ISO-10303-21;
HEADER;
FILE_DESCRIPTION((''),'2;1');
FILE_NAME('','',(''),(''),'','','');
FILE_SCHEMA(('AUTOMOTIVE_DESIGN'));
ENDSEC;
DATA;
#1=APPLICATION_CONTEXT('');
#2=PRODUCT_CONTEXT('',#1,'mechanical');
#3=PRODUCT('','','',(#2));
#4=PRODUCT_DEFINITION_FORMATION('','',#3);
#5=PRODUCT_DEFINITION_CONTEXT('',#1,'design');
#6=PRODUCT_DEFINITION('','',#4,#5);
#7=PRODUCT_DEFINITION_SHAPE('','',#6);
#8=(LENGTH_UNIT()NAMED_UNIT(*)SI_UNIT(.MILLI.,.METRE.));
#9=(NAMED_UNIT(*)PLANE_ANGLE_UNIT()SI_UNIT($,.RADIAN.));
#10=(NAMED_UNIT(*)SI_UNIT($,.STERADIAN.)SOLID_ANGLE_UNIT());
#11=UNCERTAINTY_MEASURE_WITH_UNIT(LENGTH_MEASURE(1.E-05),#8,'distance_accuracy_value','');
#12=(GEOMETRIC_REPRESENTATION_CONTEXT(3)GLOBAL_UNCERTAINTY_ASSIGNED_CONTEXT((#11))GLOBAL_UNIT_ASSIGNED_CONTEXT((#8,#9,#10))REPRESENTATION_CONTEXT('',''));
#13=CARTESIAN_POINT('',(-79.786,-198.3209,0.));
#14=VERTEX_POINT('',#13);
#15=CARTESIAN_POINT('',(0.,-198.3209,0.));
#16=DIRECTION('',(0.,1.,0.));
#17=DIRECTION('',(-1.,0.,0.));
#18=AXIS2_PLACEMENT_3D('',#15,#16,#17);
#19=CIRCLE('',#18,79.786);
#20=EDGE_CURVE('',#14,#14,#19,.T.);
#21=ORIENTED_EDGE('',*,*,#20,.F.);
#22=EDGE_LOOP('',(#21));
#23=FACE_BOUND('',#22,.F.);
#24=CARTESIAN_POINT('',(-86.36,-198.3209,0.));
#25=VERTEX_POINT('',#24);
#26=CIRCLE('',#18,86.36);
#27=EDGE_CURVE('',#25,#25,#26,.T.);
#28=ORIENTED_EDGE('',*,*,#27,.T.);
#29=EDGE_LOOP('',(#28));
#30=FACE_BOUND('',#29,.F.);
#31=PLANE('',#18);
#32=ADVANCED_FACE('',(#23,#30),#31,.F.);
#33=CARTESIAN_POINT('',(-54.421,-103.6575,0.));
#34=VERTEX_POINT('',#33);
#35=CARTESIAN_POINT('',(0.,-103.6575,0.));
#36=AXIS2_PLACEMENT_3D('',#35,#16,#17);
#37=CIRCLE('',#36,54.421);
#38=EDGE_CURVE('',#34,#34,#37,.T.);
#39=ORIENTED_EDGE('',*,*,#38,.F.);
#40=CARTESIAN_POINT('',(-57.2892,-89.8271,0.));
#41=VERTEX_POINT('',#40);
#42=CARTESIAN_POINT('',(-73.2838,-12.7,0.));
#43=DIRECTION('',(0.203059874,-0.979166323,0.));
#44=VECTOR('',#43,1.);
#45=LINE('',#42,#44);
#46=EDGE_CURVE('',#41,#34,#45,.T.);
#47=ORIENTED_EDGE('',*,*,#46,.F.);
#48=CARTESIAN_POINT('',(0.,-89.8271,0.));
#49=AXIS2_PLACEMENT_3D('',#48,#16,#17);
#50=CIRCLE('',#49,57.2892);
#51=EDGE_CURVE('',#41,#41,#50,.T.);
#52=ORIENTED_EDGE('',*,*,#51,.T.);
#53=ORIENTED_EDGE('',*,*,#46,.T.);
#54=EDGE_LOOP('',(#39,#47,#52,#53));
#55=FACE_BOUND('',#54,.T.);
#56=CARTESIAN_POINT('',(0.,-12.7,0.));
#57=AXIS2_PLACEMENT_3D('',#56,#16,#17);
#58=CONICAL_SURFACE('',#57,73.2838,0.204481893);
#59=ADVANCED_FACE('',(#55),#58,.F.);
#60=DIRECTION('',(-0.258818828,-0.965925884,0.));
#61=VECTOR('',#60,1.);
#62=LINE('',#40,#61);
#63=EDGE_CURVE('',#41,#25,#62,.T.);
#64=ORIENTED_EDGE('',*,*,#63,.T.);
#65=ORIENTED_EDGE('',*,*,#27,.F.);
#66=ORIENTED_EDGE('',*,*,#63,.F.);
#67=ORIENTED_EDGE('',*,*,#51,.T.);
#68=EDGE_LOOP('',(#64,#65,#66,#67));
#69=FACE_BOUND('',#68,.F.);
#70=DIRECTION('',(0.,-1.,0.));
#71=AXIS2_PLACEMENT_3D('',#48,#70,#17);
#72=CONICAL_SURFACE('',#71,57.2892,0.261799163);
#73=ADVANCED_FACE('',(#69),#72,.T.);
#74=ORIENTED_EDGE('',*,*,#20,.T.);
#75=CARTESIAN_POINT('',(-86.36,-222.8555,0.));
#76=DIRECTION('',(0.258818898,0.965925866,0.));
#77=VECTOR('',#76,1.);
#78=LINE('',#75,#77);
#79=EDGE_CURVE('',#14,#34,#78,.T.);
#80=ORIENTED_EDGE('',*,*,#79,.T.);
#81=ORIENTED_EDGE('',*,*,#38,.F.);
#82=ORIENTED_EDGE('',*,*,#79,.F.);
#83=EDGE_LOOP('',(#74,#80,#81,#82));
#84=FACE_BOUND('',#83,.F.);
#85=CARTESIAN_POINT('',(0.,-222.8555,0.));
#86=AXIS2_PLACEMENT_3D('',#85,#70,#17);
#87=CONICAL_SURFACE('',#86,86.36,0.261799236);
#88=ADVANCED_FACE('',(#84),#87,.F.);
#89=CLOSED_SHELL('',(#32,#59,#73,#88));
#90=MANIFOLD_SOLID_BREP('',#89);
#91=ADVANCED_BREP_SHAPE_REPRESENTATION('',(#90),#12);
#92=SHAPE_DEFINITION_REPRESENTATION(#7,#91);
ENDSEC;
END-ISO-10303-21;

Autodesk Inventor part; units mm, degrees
ref_plane "YZ Plane" through (0, 0, 0) normal (1, 0, 0) x (0, 1, 0)
ref_plane "XZ Plane" through (0, 0, 0) normal (0, 1, 0) x (-1, 0, 0)
ref_plane "XY Plane" through (0, 0, 0) normal (0, 0, 1) x (1, 0, 0)
sketch "Sketch1" plane through (0, 0, 0) normal (0, 0, 1) x (1, 0, 0)
  line L0 (0, 25.4) -> (-28.702, 25.4) construction
  line L1 (0, 25.4) -> (-95.25, 25.4) construction
  line L2 (-95.25, 25.4) -> (-89.1588, 25.4) construction
  line L3 (-89.1588, 25.4) -> (-85.693, 23.7839) construction
  line L4 (-89.1588, 25.4) -> (-89.1588, 21.1626) construction
  line L5 (-89.1588, 0) -> (-95.25, 0)
  line L6 (-28.702, 59.6457) -> (-28.702, -91.9304) construction
  arc A0 (-28.9184, -8.4804) -> (-32.3684, -1.0818) centre (-35.052, -6.8369) ccw
  line L7 (-89.1588, 25.4) -> (-89.1588, 0)
  line L8 (-89.1588, 25.4) -> (-32.3684, -1.0818)
  line L9 (-28.9184, -8.4804) -> (-28.9392, -8.5583)
  line L10 (0, -319.0244) -> (0, 122.7573) projected
  line L11 (-73.152, 17.9359) -> (-28.702, 17.9359) construction
  line L12 (-89.1588, 0) -> (-92.3338, 0)
  line L13 (11.4547, -6.8369) -> (-136.2084, -6.8369) construction
  line L14 (-57.2892, -89.8271) -> (-86.36, -198.3209)
  line L15 (-92.3338, -12.7) -> (-73.2838, -12.7)
  line L16 (-73.2838, -12.7) -> (-54.421, -103.6575)
  line L17 (-92.71, -222.8555) -> (-86.36, -222.8555)
  line L18 (-86.36, -198.3209) -> (-79.786, -198.3209)
  line L19 (-92.71, -172.9504) -> (-71.7053, -94.5599)
  line L20 (-92.3338, -25.4) -> (-79.6338, -25.4)
  line L21 (-79.6338, -25.4) -> (-79.6338, -57.15)
  line L22 (-79.6338, -57.15) -> (-71.7053, -94.5599)
  line L23 (-92.3338, 0) -> (-92.3338, -25.4)
  line L24 (-92.71, -172.9504) -> (-92.71, -222.8555)
  line L25 (-86.3902, -25.4) -> (-86.3902, -31.3436)
  line L26 (-86.3902, -31.3436) -> (-92.3338, -31.3436)
  line L27 (-92.3338, -31.3436) -> (-92.3338, -56.7436)
  line L28 (-92.3338, -56.7436) -> (-79.6338, -56.7436)
  line L29 (-73.152, 17.9359) -> (-32.3684, -1.0818)
  line L30 (-73.152, 17.9359) -> (-50.7653, -90.0141)
  line L31 (-50.7653, -90.0141) -> (-28.9184, -8.4804)
  line L32 (-52.4654, -96.3589) -> (-28.9184, -8.4804)
  line L33 (-86.36, -222.8555) -> (-28.9184, -8.4804)
  point P0 (0, 0)
  point P1 (-95.25, -255.9127)
  point P2 (-88.7095, 22.4389)
  dimension "d0" = 28.702
  dimension "d3" = 25
  dimension "d5" = 25.4
  dimension "d6" = 25.4
  dimension "d8" = 12.7
  dimension "d34" = 15
  dimension "d37" = 44.45
  dimension "d46" = 19.05
  dimension "d47" = 12.7
  dimension "d50" = 86.36
  dimension "d53" = 12.7
  dimension "d55" = 12.7
  dimension "d56" = 31.75
  dimension "d58" = 0.25
  dimension "d60" = 12.7
  dimension "d61" = 25.4
  dimension "d62" = 5.9436
  dimension "d63" = 5.9436
  dimension "d64" = 3.175
  dimension "d65" = 6.35
  dimension "d67" = 6.35
  dimension "d68" = 107.95
  dimension "d69" = 6.35
  dimension "d70" = 6.35
revolve "Revolution2" add sketch "Sketch1" angle 360 about axis through (0, -10, 0) along (0, 1, 0) contours L16 L33 L18 L14
properties part number "phenolic_bottom" material "Phenolic Resin"
